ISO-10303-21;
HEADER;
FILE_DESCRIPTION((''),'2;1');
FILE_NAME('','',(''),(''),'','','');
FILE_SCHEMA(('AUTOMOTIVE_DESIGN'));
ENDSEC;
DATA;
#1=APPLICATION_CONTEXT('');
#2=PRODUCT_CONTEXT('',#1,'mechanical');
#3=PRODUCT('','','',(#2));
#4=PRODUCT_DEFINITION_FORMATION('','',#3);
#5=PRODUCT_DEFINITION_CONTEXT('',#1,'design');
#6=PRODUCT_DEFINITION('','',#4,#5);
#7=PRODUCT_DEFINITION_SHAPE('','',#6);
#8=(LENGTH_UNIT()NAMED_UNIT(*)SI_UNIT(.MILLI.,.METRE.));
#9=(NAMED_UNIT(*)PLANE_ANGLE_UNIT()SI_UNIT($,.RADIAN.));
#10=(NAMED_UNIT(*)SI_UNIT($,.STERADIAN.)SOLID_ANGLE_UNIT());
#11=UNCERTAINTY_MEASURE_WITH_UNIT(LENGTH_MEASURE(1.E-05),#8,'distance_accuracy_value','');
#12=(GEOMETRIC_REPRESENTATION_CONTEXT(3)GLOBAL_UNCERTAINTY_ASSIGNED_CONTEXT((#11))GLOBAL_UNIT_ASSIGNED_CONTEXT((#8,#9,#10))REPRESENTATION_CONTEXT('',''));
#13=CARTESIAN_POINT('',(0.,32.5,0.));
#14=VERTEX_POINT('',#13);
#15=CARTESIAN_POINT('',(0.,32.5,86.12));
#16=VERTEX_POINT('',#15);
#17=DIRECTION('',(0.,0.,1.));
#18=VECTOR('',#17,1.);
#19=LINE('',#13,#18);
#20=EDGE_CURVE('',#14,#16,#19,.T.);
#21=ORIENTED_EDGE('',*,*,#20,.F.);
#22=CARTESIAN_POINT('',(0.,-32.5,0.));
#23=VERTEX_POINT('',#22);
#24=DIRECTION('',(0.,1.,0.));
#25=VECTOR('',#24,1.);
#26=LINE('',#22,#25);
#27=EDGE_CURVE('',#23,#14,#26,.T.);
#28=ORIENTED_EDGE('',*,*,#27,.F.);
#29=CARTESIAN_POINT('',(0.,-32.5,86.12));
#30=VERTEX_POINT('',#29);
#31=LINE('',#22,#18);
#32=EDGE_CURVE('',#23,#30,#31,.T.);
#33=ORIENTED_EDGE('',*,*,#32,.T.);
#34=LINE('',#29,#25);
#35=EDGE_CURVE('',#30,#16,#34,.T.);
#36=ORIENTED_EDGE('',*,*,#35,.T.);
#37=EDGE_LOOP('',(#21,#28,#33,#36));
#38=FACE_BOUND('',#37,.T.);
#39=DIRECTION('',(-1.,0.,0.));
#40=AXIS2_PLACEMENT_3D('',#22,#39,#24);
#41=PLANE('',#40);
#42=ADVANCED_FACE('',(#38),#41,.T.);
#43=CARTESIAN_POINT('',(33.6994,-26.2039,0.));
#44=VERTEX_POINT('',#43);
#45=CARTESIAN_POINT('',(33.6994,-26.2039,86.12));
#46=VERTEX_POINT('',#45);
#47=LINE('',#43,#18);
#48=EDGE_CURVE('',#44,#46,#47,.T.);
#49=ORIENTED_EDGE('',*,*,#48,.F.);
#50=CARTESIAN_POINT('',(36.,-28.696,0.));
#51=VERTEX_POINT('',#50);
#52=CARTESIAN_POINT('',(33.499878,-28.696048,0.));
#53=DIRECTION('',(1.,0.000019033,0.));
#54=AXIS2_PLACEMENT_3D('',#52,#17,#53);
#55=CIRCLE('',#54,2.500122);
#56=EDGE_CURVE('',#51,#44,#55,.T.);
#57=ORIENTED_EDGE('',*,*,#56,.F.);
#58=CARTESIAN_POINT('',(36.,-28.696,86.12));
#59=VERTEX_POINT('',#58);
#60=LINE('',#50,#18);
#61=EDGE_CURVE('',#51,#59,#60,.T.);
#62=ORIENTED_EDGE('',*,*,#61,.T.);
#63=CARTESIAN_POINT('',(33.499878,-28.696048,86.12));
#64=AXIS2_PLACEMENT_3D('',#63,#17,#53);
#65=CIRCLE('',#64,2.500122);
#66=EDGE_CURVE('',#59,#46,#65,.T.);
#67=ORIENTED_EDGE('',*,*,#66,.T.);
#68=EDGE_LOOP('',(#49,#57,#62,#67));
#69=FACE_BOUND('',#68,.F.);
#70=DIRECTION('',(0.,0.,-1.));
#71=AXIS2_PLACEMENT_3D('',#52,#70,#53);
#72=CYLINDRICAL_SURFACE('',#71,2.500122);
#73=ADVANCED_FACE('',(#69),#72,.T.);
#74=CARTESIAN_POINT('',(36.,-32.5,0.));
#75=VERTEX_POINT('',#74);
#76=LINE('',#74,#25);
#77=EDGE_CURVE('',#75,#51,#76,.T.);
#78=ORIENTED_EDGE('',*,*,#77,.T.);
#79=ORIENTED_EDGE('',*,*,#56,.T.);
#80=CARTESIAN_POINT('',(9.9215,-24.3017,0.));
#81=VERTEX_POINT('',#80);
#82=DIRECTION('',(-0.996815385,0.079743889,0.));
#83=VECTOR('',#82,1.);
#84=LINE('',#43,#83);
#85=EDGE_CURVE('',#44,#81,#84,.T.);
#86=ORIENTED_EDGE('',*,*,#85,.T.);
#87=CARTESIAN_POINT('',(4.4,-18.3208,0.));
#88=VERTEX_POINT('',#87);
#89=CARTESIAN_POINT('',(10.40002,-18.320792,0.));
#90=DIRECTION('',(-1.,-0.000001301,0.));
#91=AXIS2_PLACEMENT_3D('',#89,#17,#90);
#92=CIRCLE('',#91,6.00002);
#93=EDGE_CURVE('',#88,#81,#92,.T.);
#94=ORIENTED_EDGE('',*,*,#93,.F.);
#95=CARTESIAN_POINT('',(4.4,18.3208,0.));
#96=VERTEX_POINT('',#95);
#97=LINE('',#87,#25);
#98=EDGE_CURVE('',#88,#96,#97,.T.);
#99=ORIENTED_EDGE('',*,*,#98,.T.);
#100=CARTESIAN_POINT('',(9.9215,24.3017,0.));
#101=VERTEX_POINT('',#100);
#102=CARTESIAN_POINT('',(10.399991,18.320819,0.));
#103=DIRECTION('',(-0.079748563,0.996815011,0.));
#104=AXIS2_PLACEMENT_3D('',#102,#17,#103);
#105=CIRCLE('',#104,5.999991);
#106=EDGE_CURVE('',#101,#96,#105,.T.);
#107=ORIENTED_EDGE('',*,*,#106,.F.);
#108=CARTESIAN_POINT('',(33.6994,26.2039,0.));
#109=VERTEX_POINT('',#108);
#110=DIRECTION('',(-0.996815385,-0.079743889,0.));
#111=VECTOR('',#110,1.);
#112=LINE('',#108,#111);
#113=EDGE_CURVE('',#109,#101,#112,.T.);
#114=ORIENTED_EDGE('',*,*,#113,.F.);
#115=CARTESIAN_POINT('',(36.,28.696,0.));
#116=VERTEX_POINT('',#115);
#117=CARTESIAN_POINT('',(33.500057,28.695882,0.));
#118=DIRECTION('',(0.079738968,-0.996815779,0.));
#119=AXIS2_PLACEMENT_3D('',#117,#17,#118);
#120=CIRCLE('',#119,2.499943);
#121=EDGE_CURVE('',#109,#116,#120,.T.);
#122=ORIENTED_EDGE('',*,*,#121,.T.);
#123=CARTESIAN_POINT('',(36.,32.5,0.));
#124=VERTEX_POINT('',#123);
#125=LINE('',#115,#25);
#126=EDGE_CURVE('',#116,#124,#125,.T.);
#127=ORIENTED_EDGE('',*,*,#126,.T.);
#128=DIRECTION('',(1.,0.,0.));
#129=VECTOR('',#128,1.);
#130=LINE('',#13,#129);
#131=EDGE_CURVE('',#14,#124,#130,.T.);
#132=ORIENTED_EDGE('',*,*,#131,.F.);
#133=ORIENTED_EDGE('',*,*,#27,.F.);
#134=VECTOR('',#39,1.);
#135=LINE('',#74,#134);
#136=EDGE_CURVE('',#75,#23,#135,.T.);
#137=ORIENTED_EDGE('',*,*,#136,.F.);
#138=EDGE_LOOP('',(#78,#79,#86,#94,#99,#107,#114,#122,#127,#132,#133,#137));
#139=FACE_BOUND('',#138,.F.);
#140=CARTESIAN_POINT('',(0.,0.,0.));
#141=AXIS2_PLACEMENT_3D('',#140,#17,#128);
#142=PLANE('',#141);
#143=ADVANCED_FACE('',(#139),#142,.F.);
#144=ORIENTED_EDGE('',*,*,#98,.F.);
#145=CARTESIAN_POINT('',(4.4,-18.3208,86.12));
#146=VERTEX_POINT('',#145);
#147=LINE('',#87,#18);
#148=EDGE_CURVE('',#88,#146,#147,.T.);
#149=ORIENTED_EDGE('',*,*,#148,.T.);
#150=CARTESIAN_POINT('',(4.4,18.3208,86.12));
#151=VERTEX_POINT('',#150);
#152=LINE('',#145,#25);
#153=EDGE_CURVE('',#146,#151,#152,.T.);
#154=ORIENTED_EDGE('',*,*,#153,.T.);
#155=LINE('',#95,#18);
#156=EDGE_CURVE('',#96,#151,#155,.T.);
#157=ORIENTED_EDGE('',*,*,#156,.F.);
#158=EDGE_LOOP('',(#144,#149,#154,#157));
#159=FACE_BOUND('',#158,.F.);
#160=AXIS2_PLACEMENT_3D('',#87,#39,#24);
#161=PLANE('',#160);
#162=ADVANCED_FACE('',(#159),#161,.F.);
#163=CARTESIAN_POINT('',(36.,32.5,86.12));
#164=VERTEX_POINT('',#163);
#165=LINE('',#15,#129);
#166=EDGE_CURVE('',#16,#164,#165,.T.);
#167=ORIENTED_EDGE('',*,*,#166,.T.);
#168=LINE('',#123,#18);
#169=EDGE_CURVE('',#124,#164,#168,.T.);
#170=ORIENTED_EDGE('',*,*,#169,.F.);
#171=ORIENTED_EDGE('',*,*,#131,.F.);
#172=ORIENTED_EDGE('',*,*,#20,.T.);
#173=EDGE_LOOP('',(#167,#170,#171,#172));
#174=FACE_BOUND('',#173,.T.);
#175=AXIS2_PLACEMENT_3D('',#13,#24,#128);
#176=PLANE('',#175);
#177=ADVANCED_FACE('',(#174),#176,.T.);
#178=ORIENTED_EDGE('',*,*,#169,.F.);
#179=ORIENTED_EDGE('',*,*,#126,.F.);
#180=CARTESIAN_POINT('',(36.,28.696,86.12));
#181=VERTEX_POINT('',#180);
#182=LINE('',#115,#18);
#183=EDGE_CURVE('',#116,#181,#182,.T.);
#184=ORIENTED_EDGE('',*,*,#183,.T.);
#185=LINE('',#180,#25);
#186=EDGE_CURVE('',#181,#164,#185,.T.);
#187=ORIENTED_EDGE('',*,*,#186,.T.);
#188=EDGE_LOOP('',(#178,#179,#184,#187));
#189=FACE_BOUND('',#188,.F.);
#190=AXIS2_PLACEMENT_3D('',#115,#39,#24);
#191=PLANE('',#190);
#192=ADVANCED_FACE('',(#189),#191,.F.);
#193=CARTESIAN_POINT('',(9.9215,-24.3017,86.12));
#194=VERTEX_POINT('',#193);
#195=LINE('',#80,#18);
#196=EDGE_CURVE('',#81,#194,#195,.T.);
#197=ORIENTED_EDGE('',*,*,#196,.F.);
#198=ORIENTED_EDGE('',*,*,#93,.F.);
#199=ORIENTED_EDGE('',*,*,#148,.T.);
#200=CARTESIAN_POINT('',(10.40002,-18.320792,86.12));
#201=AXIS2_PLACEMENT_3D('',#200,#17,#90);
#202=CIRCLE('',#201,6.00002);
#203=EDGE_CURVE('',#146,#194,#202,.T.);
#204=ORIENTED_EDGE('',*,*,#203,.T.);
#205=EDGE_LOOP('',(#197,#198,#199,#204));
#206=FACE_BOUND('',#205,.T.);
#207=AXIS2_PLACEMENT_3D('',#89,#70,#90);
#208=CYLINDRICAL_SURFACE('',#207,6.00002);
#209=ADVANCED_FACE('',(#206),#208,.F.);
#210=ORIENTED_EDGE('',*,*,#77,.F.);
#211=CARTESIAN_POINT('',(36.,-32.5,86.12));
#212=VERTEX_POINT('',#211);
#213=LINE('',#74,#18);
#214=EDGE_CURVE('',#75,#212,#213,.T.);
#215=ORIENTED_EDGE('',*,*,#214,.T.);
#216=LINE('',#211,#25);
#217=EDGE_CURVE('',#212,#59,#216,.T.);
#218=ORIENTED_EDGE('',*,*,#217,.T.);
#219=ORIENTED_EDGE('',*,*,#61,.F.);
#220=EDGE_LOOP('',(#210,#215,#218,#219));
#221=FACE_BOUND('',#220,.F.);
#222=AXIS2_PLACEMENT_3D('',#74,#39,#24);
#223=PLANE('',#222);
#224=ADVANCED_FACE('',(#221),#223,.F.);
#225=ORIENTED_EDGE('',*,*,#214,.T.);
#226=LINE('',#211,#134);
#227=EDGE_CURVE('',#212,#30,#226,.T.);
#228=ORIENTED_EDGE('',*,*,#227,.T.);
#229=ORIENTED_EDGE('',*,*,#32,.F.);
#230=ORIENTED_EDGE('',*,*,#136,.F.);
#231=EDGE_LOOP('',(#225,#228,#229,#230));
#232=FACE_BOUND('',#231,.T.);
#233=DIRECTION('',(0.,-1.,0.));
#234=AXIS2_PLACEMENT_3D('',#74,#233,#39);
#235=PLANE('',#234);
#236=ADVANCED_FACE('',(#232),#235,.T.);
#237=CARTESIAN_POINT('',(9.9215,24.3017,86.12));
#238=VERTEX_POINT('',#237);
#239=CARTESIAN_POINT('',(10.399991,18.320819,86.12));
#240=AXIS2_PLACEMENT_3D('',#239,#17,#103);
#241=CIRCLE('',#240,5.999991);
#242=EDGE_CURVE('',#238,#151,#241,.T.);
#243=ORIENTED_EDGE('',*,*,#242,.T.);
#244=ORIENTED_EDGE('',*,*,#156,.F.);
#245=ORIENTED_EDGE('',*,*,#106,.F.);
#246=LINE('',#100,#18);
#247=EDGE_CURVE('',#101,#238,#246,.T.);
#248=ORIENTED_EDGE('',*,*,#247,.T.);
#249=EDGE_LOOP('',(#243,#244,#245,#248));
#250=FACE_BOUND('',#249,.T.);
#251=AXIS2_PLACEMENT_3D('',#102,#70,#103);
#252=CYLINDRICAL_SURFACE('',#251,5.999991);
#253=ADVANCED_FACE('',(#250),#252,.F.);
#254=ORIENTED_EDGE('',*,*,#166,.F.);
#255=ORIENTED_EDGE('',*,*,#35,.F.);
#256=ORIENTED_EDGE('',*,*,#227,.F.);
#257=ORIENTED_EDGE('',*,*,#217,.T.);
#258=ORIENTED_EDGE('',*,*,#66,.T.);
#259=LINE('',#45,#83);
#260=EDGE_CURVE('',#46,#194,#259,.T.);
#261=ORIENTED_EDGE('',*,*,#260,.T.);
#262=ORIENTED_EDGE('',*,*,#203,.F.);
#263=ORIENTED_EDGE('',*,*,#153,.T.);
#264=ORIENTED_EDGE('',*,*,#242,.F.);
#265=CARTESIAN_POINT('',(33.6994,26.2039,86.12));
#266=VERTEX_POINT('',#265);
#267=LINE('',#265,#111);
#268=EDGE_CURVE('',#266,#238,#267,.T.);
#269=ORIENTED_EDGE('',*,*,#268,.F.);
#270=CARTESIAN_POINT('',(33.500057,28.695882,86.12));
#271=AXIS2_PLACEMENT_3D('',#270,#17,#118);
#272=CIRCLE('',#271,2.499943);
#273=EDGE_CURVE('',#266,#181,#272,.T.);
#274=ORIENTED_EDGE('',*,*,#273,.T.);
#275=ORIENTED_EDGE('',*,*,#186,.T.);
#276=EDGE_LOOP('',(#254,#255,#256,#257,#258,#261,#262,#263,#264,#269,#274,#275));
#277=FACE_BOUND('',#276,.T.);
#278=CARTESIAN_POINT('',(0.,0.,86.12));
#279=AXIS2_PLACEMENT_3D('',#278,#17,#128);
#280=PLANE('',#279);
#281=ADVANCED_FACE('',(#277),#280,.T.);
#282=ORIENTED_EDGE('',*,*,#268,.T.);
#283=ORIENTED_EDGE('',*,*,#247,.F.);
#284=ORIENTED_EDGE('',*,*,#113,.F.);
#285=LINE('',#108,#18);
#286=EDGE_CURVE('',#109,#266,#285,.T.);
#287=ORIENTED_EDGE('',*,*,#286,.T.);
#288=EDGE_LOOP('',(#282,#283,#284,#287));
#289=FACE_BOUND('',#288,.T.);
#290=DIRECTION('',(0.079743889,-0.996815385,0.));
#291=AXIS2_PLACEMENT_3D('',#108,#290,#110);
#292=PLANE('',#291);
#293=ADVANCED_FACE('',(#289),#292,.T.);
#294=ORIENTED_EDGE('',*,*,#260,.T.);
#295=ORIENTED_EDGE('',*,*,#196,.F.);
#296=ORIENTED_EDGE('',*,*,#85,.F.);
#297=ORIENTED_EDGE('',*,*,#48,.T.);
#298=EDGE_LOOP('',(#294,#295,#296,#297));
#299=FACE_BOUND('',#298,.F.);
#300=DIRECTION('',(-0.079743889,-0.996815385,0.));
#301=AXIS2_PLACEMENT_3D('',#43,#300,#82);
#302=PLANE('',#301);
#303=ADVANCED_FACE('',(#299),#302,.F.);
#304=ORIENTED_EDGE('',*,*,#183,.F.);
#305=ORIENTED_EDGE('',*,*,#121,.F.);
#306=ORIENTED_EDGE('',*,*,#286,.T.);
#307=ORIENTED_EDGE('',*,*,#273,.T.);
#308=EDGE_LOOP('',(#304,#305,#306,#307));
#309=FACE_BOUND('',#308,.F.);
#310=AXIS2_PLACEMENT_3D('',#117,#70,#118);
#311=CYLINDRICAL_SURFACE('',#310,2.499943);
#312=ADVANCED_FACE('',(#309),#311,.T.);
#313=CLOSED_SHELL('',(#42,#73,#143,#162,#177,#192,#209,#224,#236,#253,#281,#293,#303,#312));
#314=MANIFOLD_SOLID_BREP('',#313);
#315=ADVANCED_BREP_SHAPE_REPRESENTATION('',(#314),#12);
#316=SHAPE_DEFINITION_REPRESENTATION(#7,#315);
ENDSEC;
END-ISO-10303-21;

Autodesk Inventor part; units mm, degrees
ref_plane "Начальная плоскость" through (0, 0, 0) normal (0, 0, 1) x (1, 0, 0)
ref_plane "Конечная плоскость" through (0, 0, 86.12) normal (0, 0, 1) x (1, 0, 0)
sketch "Эскиз" plane through (0, 0, 0) normal (0, 0, 1) x (1, 0, 0)
  line L0 (36, -32.5) -> (0, -32.5)
  line L1 (36, -32.5) -> (36, -28.696)
  line L2 (33.6994, -26.2039) -> (9.9215, -24.3017)
  line L3 (4.4, -18.3208) -> (4.4, 18.3208)
  line L4 (33.6994, 26.2039) -> (9.9215, 24.3017)
  line L5 (36, 28.696) -> (36, 32.5)
  line L6 (0, 32.5) -> (36, 32.5)
  line L7 (0, -32.5) -> (0, 32.5)
  arc A0 (4.4, -18.3208) -> (9.9215, -24.3017) centre (10.4, -18.3208) ccw
  arc A1 (9.9215, 24.3017) -> (4.4, 18.3208) centre (10.4, 18.3208) ccw
  arc A2 (36, -28.696) -> (33.6994, -26.2039) centre (33.5, -28.696) ccw
  arc A3 (33.6994, 26.2039) -> (36, 28.696) centre (33.5, 28.696) ccw
  line L8 (0, 45.5) -> (0, -45.5) construction
  line L9 (-7.2974, 0) -> (43.7847, 0) construction
  point P0 (36, -26.388)
  point P1 (4.4, -23.86)
  point P2 (4.4, 23.86)
  point P3 (36, 26.388)
  dimension "d3" = 36
  dimension "d5" = 4.4
  dimension "d7" = 65
  dimension "d9" = 8.64
  dimension "d11" = 8.64
  dimension "d13" = 6.112
  dimension "d15" = 6.112
  dimension "d22" = 6
  dimension "d23" = 2.5
  dimension "d24" = 32.5
  dimension "d25" = 0
extrude "Тело" add sketch "Эскиз" along normal up to surface (86.12 mm away) from surface at 0
sketch "Sketch3" plane through (0, 0, 0) normal (0, 0, 1) x (1, 0, 0)
  line L0 (0, 0) -> (10, 0)
ref_plane "Work Plane7" through (0, 0, 0) normal (0, -1, 0) x (1, 0, 0)
sketch "Sketch4" plane through (0, 0, 0) normal (0, -1, 0) x (1, 0, 0)
  line L0 (-2, 0) -> (12, 0)
  line L1 (-2, 86.12) -> (12, 86.12)
  dimension "d29" = 86.12
ref_plane "РабПлоскость8" through (18, 177.5, 86.12) normal (0, 0, 1) x (1, 0, 0)
split "Разделение1" plane through (18, 177.5, 86.12) removes the side toward (0, 0, 1)
ref_plane "РабПлоскость9" through (546.459, 0, 0) normal (0, 0, -1) x (-1, 0, 0)
split "Разделение2" plane through (546.459, 0, 0) removes the side toward (0, 0, -1)
equation "\"d3\" = b"
equation "\"d5\" = t1"
equation "\"d7\" = ParH"
equation "\"d9\" = msp_x1 + t2"
equation "\"d11\" = msp_x1 + t2"
equation "\"d13\" = -msp_x2 + t2"
equation "\"d15\" = -msp_x2 + t2"
equation "\"d22\" = R"
equation "\"d23\" = R1"
equation "\"d24\" = 0.5 * d7"
equation "\"d16\" = G_L"
equation "\"R1\" = 2.5"
equation "\"R\" = 6"
equation "\"t1\" = 4.4"
equation "\"t2\" = 7.2"
equation "\"ParH\" = 65"
equation "\"b\" = 36"
equation "\"msp_x1\" = 0.04 * b"
equation "\"msp_x2\" = -0.08 * t1 + 0.04 * b"
equation "\"G_L\" = d29"
equation "\"ex\" = 0"
equation "\"G_OFFSET_START\" = 0"
equation "\"G_OFFSET_END\" = 0"
equation "\"d27\" = G_OFFSET_END + B_L"
equation "\"B_L\" = 86.12"
properties part number "Швеллер 6.5U-86,12 ГОСТ 8240-97" material "Сталь, мягкая, сварочная"
